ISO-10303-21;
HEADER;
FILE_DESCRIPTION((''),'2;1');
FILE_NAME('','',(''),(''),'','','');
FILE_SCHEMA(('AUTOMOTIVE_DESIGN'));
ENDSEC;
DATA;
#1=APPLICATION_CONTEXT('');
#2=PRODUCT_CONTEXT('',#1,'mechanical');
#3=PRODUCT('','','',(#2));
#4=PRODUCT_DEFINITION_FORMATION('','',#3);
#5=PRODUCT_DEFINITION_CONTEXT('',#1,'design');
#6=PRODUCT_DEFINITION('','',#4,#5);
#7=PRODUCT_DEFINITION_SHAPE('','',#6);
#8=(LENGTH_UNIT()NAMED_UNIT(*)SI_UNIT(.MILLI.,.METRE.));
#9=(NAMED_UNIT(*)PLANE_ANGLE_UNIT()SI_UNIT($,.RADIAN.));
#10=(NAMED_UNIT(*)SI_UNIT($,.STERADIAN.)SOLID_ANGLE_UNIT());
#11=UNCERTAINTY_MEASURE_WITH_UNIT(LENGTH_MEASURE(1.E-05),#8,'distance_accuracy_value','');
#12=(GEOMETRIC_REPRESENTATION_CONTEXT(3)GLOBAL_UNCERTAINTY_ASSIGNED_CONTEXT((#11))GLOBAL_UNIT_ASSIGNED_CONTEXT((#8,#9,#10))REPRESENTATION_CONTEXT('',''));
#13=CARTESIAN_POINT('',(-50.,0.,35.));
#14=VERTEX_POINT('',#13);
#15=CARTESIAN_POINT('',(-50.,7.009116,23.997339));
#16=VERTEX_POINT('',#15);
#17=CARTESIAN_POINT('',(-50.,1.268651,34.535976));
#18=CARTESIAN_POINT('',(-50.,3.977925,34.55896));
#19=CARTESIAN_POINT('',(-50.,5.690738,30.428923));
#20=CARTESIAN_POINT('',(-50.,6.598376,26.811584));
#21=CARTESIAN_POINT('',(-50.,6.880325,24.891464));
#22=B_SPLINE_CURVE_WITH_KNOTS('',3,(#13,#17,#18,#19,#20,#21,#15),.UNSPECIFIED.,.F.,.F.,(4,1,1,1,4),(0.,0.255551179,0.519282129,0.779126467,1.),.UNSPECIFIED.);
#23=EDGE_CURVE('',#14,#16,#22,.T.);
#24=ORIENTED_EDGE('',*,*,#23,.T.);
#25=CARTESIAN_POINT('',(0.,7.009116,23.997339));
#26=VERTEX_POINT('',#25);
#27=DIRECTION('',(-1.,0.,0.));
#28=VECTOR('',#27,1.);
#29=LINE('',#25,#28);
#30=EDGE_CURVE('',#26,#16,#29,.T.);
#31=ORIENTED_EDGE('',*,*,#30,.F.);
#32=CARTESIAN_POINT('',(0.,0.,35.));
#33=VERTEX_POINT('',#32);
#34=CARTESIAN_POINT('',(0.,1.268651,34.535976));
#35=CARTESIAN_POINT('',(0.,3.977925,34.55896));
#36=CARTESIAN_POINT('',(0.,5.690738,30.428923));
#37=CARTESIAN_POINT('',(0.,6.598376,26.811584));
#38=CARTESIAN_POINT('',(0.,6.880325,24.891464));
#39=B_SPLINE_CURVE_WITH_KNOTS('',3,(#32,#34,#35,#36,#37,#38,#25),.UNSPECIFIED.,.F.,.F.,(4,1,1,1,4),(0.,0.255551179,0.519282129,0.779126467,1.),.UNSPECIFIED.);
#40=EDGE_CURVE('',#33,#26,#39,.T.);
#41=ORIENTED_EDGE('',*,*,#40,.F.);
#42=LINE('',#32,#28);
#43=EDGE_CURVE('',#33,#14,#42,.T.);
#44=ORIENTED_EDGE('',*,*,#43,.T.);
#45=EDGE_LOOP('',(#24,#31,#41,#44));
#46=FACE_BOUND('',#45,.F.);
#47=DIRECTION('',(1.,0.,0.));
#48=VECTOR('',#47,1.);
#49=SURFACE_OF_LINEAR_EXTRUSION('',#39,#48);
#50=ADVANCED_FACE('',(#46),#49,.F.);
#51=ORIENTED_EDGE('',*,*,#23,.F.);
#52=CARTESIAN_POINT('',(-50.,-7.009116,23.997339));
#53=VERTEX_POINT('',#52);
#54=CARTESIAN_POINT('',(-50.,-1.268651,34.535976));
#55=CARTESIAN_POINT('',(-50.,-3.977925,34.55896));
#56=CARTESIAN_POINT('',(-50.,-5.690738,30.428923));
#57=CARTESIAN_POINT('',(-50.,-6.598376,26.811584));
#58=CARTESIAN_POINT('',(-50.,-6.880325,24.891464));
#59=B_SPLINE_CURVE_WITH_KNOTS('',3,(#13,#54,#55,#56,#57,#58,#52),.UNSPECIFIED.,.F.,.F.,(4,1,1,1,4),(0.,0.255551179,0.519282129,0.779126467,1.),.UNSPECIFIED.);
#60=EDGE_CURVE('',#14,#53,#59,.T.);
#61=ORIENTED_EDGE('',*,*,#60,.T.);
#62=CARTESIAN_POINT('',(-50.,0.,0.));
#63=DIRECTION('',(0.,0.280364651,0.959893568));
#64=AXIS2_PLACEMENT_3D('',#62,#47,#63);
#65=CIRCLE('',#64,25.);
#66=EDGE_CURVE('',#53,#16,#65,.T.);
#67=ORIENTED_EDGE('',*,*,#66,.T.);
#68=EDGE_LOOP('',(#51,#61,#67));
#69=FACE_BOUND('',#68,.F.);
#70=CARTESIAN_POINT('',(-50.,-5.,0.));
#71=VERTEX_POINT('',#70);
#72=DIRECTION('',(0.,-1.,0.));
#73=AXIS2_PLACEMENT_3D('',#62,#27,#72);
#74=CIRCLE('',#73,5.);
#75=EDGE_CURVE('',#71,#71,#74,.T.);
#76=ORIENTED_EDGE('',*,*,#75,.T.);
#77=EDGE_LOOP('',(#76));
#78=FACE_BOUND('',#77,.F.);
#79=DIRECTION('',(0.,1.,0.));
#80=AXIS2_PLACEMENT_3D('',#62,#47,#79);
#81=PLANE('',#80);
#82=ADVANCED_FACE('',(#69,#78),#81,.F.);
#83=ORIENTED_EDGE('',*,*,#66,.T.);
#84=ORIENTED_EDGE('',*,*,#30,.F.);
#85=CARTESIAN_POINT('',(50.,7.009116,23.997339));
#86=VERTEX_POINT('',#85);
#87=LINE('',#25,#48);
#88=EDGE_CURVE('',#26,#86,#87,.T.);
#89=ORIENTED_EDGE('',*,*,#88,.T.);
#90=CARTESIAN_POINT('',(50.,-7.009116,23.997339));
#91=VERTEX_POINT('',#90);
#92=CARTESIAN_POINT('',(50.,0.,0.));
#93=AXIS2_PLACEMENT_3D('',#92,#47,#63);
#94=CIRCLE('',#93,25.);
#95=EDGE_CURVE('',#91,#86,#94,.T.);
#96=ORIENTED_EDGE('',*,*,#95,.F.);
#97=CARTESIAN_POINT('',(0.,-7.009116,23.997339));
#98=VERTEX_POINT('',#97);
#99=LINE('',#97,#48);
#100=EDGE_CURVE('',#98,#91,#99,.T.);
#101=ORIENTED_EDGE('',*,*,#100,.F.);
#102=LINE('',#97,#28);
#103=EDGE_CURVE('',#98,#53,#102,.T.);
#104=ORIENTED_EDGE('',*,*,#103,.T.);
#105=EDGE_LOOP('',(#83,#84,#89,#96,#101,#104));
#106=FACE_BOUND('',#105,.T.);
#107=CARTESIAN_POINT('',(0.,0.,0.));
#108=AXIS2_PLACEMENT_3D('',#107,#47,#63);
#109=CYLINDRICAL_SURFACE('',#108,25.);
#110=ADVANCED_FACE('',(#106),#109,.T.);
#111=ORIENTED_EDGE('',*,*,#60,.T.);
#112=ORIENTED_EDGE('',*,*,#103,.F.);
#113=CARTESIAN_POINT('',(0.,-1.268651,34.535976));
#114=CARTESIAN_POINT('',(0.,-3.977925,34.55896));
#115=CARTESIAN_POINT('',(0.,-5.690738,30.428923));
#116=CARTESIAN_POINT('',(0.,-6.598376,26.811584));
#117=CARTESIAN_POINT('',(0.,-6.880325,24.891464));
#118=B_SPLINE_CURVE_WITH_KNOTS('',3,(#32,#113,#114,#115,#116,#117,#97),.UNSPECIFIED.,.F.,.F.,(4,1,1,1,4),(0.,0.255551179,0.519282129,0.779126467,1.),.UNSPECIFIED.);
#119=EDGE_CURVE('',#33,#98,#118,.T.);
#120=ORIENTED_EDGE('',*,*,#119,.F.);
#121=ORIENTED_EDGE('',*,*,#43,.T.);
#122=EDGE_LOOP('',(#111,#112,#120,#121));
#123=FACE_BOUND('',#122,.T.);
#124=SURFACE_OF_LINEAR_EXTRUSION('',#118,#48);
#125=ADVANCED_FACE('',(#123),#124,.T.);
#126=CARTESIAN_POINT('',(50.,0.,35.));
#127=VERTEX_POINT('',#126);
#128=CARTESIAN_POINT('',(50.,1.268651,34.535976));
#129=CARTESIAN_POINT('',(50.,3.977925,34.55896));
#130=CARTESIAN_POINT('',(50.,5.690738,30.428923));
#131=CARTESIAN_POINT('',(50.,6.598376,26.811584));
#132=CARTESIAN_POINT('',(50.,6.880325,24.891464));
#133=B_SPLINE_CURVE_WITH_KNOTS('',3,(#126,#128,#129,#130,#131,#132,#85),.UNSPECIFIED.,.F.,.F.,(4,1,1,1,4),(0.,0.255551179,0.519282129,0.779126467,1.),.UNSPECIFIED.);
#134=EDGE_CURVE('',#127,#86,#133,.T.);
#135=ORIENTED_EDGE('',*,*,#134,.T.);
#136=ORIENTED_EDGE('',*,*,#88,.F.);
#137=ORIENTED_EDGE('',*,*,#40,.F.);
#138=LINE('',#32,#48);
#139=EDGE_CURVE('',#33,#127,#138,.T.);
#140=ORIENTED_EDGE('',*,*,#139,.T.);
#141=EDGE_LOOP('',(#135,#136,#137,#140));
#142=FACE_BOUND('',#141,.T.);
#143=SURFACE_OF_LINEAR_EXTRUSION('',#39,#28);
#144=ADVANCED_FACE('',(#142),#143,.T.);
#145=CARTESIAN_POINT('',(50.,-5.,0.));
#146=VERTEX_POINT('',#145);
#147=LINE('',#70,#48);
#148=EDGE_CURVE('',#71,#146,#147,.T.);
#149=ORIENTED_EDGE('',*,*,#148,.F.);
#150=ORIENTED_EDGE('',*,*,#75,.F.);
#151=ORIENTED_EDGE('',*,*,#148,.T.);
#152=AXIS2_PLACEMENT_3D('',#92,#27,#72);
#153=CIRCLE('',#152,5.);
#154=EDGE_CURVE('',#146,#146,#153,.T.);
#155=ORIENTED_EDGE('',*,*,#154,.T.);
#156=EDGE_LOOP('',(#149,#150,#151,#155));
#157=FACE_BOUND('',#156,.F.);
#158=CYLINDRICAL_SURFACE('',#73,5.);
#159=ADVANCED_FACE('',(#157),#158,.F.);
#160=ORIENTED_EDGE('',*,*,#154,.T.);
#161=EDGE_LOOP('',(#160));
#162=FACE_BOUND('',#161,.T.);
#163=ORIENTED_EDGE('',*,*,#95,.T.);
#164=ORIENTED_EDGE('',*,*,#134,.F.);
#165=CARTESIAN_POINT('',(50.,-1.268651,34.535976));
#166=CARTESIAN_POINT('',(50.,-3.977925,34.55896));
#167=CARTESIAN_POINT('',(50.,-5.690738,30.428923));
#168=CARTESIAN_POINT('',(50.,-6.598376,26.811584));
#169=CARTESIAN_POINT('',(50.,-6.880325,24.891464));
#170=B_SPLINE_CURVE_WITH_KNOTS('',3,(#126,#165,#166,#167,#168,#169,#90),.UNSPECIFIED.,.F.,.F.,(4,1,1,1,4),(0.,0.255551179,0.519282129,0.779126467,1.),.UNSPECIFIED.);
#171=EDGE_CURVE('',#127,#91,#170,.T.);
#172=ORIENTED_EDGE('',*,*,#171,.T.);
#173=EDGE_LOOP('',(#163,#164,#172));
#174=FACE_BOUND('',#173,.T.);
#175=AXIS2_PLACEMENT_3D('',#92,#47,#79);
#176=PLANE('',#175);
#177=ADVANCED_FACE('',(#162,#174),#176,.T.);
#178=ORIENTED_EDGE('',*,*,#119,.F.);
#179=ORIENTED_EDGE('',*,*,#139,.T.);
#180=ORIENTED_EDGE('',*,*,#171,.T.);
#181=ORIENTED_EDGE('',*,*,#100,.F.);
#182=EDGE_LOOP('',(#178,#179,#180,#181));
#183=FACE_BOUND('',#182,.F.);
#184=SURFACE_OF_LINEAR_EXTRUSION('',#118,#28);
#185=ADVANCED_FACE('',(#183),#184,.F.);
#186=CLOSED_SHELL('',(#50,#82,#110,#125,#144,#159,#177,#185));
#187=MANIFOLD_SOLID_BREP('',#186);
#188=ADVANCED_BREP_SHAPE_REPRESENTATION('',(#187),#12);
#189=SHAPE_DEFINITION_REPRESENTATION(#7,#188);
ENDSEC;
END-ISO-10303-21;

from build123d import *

# Parameters (mm, degrees)
F1_DEPTH      = 50
F1_DEPTH_BACK = 50
F2_R          = 5
F3_DEPTH      = 100


with BuildPart() as f1:
    # F0 (on Right) → F1 (new body, two sides)
    with BuildSketch(Plane.YZ) as f1_sk:
        with BuildLine():
            ThreePointArc((-7.0091162845, 23.9973392048), (-14.9962010671, -20.002848636), (25, 0))
            ThreePointArc((25, 0), (20.002848636, 14.9962010671), (7.0091162845, 23.9973392048))
            ThreePointArc((7.0091162845, 23.9973392048), (0, 25), (-7.0091162845, 23.9973392048))
        make_face()
        with BuildLine():
            ThreePointArc((-7.0091162845, 23.9973392048), (0, 25), (7.0091162845, 23.9973392048))
            add(Edge.make_bspline(
                [(0, 35), (1.2686513852, 34.5359756982), (3.9779252283, 34.5589596963), (5.6907384124, 30.4289227923), (6.5983760524, 26.8115835834), (6.8803246415, 24.8914644271), (7.0091162845, 23.9973392048)],
                knots=[0, 0, 0, 0, 0.2555511788, 0.5192821289, 0.7791264674, 1, 1, 1, 1], degree=3))
            add(Edge.make_bspline(
                [(0, 35), (-1.2686513852, 34.5359756982), (-3.9779252283, 34.5589596963), (-5.6907384124, 30.4289227923), (-6.5983760524, 26.8115835834), (-6.8803246415, 24.8914644271), (-7.0091162845, 23.9973392048)],
                knots=[0, 0, 0, 0, 0.2555511788, 0.5192821289, 0.7791264674, 1, 1, 1, 1], degree=3))
        make_face()
    extrude(amount=F1_DEPTH)
    extrude(f1_sk.sketch, amount=-F1_DEPTH_BACK)

    # F2 (on face) → F3 (cut, through all)
    with BuildSketch(Plane(origin=(-50, 0, 0), x_dir=(0, -1, 0), z_dir=(-1, 0, 0))):
        Circle(F2_R)
    extrude(amount=-F3_DEPTH, mode=Mode.SUBTRACT)


solid = f1.part
